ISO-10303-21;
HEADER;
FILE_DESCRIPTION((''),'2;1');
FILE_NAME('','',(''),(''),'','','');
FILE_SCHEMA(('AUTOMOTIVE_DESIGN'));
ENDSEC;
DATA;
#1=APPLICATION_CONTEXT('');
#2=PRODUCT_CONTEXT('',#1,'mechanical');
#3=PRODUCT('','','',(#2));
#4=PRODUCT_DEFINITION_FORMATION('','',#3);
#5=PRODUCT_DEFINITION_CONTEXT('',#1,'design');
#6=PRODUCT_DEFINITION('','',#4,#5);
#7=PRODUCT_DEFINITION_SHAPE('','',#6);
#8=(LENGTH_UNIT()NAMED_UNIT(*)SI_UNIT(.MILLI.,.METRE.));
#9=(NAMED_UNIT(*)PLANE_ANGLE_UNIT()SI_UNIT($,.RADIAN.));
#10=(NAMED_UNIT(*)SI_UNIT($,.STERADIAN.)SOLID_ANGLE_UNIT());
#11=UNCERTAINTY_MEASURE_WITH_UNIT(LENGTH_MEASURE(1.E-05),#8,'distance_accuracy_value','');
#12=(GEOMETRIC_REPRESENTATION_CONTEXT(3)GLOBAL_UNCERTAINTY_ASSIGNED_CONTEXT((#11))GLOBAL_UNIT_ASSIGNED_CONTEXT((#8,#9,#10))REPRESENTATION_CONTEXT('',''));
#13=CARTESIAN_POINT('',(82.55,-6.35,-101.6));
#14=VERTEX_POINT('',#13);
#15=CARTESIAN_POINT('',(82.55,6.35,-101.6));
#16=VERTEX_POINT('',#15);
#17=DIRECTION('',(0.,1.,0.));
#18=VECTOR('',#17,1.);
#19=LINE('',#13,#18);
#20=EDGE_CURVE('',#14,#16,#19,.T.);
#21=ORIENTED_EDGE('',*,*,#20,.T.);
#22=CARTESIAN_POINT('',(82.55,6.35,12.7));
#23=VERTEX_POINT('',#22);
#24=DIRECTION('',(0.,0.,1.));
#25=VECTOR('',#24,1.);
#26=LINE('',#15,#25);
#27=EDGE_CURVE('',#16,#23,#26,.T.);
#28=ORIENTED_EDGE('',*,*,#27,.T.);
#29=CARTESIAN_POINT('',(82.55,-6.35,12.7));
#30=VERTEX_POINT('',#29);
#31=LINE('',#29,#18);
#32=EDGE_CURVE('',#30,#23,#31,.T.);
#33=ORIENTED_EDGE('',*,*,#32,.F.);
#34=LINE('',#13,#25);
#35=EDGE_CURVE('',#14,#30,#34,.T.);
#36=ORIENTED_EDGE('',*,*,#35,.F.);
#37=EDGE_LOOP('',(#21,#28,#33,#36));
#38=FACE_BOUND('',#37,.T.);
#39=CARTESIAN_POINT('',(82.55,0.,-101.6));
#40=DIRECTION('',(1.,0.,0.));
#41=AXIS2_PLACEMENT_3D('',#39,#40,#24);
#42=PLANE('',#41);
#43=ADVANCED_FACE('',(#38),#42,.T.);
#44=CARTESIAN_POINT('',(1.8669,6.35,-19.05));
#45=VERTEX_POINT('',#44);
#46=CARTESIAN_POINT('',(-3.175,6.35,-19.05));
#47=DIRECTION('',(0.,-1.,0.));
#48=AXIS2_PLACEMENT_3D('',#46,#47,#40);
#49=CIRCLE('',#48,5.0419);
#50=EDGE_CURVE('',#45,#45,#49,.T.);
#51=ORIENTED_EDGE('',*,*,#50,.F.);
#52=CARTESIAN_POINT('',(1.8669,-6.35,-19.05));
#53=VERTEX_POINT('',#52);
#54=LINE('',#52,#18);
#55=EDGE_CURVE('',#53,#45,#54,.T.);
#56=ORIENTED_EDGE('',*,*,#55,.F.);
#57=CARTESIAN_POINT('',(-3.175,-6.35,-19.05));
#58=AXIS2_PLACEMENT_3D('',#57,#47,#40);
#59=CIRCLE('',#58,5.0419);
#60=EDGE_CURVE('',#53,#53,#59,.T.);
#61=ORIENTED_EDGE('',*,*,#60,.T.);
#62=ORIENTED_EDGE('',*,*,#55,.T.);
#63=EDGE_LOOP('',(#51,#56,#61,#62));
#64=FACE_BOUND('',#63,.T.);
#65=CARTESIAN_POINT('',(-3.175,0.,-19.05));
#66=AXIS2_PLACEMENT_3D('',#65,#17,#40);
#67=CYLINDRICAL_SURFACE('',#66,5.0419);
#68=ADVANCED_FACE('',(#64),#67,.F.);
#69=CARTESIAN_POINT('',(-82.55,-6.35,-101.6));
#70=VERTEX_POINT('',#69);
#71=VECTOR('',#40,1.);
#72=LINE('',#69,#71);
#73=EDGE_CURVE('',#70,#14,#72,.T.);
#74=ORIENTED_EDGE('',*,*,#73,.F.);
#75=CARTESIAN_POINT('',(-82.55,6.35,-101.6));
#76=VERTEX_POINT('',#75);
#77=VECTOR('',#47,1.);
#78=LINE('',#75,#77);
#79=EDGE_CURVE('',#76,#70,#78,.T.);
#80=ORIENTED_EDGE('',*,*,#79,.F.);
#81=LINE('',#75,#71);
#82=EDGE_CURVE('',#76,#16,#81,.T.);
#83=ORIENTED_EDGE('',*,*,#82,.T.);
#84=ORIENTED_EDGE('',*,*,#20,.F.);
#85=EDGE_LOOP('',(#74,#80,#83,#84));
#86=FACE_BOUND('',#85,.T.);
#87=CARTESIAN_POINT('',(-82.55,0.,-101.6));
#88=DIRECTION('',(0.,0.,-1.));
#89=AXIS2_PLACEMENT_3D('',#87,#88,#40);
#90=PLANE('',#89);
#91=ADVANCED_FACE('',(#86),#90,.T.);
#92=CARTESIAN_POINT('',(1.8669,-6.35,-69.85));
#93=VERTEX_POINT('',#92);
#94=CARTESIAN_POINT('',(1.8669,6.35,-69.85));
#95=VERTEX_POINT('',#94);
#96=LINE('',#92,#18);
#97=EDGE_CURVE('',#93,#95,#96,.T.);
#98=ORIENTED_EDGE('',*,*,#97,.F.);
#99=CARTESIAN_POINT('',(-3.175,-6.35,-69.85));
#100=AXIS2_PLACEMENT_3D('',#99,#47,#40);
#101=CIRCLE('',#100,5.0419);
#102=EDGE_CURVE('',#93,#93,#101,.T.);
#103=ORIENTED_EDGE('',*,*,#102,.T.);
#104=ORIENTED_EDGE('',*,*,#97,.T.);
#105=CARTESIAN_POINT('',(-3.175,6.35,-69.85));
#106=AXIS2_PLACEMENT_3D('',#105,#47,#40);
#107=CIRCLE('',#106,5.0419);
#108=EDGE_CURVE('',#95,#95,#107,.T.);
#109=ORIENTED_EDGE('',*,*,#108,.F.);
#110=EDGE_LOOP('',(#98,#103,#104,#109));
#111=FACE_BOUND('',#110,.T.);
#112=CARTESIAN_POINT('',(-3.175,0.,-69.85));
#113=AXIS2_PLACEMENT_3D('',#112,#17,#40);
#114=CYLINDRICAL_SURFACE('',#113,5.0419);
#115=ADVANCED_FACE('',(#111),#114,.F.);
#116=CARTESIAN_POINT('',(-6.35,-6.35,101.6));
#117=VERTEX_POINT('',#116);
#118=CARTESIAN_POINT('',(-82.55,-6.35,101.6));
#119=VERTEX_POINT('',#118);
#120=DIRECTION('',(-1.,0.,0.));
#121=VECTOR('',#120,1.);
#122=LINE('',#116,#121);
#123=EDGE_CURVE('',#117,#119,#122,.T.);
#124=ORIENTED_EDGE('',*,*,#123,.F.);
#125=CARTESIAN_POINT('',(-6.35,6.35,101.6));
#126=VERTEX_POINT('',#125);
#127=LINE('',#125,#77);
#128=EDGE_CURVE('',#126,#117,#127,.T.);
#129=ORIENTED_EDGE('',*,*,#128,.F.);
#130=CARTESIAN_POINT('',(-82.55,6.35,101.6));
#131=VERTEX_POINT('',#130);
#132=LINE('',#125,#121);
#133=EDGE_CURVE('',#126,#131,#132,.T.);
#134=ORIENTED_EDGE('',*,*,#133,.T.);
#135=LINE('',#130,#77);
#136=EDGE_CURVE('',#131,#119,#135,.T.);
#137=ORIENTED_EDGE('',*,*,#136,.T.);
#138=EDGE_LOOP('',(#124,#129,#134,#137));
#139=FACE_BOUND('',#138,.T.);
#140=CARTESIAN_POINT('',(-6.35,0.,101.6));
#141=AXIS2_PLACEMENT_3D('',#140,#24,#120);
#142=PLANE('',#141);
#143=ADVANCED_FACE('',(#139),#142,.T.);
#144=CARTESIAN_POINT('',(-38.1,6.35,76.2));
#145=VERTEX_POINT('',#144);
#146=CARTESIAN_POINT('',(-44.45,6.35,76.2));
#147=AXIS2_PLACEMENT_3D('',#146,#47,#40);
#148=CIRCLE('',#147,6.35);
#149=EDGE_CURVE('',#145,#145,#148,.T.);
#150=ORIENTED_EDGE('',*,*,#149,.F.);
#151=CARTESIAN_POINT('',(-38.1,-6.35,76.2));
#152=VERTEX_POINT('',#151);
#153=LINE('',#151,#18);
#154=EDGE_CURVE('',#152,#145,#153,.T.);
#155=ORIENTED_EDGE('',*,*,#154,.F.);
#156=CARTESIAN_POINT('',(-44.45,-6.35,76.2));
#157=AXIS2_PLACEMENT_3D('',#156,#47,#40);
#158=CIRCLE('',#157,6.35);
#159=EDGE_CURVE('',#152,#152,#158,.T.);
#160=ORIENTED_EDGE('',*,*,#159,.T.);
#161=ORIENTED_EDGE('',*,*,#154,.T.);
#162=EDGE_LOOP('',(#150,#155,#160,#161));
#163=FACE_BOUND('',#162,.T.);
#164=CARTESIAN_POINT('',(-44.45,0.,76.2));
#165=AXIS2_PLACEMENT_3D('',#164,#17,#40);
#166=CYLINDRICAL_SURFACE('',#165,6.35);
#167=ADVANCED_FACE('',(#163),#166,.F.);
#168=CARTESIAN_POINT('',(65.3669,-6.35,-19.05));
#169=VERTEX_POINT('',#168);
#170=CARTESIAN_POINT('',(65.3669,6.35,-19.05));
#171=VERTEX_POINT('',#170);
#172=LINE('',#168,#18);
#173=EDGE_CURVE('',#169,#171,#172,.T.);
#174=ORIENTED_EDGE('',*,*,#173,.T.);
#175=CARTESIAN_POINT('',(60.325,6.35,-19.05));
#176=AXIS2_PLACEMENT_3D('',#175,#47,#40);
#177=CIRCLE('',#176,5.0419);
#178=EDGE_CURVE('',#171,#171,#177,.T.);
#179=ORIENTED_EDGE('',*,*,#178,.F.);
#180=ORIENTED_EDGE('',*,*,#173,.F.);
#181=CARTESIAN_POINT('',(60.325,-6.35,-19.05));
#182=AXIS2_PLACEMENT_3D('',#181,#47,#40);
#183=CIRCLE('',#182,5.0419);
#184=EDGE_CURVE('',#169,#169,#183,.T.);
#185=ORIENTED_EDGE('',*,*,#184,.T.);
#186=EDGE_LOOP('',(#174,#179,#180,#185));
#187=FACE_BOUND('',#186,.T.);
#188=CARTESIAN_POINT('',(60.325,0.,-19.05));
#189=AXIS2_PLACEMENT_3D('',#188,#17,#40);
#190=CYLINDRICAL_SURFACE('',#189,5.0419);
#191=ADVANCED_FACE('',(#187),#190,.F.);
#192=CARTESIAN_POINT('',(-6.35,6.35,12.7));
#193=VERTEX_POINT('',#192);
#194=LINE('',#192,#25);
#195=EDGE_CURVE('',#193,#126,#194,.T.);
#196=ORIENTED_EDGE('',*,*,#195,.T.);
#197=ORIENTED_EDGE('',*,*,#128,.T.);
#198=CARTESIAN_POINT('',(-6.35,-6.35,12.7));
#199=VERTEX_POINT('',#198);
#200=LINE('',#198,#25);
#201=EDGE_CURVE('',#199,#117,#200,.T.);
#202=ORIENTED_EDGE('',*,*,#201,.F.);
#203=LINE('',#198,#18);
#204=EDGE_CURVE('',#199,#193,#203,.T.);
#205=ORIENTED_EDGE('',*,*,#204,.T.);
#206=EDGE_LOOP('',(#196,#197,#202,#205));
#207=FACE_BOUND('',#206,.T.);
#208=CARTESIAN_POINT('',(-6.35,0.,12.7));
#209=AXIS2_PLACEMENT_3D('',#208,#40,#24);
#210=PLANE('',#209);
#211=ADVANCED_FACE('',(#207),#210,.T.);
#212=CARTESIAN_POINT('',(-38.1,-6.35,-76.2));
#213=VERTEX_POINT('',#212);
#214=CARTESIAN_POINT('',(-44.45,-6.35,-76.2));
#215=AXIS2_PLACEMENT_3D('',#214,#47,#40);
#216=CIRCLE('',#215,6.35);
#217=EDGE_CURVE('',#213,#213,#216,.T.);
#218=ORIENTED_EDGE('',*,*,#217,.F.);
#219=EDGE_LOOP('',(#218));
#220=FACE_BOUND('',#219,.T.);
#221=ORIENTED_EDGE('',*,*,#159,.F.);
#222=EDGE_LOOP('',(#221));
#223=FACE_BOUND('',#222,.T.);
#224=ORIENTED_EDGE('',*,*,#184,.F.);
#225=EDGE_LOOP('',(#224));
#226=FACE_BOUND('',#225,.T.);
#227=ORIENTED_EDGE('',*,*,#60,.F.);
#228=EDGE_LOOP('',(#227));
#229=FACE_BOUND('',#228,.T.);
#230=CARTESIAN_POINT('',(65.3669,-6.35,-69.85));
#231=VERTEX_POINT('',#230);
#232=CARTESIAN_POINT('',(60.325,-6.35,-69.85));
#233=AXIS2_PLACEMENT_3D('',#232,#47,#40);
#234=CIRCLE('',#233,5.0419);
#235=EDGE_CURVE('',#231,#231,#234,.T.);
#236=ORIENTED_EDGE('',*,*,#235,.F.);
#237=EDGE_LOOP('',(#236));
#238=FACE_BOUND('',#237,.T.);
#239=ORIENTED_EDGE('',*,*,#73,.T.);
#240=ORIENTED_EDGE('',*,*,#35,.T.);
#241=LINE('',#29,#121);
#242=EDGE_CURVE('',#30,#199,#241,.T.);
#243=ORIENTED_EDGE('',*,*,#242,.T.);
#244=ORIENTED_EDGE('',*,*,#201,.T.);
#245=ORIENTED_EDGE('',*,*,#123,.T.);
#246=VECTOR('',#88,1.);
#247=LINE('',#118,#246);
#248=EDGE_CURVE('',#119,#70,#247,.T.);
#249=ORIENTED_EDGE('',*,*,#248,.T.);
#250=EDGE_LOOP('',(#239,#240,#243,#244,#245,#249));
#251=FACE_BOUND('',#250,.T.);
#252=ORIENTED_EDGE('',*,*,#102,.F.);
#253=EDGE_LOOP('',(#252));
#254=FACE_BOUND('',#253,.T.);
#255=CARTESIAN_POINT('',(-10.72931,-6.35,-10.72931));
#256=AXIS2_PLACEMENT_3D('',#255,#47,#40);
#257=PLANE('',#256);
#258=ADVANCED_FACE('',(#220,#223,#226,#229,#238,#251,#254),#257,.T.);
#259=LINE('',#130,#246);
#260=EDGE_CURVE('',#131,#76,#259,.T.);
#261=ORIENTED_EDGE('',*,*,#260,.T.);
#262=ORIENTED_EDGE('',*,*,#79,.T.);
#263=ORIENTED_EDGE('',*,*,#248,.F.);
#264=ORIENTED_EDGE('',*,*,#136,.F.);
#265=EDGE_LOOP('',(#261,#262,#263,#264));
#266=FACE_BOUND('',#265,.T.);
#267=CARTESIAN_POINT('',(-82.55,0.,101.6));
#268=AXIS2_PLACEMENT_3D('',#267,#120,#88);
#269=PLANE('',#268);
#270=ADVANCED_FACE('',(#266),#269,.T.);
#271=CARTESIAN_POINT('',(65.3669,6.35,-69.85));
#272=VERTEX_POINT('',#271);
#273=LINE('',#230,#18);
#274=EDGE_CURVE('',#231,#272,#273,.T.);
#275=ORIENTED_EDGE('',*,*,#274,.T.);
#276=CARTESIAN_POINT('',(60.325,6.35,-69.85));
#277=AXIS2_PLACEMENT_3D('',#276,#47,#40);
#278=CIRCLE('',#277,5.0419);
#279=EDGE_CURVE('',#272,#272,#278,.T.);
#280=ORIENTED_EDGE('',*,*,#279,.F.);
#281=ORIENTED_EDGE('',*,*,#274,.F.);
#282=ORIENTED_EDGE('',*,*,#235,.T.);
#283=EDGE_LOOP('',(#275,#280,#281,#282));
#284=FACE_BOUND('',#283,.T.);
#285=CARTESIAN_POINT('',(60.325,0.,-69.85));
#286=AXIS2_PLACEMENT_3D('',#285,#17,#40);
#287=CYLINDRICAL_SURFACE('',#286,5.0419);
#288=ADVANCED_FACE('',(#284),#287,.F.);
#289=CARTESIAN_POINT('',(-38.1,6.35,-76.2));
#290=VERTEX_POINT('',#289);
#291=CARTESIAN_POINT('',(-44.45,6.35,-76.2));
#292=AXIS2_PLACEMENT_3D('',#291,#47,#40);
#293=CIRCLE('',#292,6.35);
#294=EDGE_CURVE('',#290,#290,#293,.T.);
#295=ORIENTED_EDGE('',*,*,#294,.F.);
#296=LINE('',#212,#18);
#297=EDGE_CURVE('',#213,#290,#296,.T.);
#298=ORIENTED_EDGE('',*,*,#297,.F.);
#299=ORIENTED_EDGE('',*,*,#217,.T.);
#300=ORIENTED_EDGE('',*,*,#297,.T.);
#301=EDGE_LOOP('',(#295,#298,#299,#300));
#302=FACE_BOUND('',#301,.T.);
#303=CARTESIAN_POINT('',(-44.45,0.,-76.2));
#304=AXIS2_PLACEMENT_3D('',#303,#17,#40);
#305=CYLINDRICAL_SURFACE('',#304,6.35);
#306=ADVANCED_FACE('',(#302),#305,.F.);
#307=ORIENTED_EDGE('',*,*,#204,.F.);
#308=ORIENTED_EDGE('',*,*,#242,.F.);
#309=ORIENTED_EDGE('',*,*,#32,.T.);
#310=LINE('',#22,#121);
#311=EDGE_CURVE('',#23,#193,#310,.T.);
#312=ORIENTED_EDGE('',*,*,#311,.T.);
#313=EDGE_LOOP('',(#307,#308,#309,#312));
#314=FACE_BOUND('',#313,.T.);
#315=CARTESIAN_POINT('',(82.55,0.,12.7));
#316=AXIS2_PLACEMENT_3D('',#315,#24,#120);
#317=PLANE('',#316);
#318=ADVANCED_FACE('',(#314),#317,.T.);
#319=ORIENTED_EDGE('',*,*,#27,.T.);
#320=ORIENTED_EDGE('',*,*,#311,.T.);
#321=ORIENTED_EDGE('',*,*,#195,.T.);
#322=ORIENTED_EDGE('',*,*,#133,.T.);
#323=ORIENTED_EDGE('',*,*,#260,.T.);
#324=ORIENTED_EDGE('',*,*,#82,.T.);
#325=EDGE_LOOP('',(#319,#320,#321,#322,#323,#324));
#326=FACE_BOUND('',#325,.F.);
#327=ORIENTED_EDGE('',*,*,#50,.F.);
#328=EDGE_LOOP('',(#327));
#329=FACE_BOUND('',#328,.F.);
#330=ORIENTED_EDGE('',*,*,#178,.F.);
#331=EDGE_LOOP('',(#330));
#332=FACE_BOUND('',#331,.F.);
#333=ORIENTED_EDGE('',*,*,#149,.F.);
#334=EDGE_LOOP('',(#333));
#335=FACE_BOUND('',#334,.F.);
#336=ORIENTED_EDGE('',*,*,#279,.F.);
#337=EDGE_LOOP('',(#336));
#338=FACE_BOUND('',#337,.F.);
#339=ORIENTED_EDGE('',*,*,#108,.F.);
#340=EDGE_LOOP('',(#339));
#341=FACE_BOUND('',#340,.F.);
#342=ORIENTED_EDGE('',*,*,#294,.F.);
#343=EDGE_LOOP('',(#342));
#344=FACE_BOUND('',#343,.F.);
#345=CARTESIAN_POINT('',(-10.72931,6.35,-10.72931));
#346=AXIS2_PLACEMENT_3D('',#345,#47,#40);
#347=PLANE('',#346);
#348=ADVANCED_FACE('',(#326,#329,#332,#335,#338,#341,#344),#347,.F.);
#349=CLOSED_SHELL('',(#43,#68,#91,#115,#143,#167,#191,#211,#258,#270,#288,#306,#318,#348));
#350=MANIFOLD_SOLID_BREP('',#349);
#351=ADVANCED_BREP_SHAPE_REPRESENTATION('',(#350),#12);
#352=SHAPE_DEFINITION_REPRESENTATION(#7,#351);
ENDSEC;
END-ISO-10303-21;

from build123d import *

# Parameters (mm, degrees)
F0_R     = 6.35
F0_R_2   = 5.0419
F1_DEPTH = 6.35


with BuildPart() as f1:
    # F0 (on Front) → F1 (new body, symmetric)
    with BuildSketch(Plane.XZ):
        Polygon((-6.35, 12.7), (-6.35, 101.6), (-82.55, 101.6), (-82.55, -101.6), (82.55, -101.6), (82.55, 12.7), align=None)
        with Locations((-44.45, -76.2)):
            Circle(F0_R, mode=Mode.SUBTRACT)
        with Locations((-3.175, -69.85)):
            Circle(F0_R_2, mode=Mode.SUBTRACT)
        with Locations((-3.175, -19.05)):
            Circle(F0_R_2, mode=Mode.SUBTRACT)
        with Locations((60.325, -69.85)):
            Circle(F0_R_2, mode=Mode.SUBTRACT)
        with Locations((60.325, -19.05)):
            Circle(F0_R_2, mode=Mode.SUBTRACT)
        with Locations((-44.45, 76.2)):
            Circle(F0_R, mode=Mode.SUBTRACT)
    extrude(amount=F1_DEPTH, both=True)


solid = f1.part
